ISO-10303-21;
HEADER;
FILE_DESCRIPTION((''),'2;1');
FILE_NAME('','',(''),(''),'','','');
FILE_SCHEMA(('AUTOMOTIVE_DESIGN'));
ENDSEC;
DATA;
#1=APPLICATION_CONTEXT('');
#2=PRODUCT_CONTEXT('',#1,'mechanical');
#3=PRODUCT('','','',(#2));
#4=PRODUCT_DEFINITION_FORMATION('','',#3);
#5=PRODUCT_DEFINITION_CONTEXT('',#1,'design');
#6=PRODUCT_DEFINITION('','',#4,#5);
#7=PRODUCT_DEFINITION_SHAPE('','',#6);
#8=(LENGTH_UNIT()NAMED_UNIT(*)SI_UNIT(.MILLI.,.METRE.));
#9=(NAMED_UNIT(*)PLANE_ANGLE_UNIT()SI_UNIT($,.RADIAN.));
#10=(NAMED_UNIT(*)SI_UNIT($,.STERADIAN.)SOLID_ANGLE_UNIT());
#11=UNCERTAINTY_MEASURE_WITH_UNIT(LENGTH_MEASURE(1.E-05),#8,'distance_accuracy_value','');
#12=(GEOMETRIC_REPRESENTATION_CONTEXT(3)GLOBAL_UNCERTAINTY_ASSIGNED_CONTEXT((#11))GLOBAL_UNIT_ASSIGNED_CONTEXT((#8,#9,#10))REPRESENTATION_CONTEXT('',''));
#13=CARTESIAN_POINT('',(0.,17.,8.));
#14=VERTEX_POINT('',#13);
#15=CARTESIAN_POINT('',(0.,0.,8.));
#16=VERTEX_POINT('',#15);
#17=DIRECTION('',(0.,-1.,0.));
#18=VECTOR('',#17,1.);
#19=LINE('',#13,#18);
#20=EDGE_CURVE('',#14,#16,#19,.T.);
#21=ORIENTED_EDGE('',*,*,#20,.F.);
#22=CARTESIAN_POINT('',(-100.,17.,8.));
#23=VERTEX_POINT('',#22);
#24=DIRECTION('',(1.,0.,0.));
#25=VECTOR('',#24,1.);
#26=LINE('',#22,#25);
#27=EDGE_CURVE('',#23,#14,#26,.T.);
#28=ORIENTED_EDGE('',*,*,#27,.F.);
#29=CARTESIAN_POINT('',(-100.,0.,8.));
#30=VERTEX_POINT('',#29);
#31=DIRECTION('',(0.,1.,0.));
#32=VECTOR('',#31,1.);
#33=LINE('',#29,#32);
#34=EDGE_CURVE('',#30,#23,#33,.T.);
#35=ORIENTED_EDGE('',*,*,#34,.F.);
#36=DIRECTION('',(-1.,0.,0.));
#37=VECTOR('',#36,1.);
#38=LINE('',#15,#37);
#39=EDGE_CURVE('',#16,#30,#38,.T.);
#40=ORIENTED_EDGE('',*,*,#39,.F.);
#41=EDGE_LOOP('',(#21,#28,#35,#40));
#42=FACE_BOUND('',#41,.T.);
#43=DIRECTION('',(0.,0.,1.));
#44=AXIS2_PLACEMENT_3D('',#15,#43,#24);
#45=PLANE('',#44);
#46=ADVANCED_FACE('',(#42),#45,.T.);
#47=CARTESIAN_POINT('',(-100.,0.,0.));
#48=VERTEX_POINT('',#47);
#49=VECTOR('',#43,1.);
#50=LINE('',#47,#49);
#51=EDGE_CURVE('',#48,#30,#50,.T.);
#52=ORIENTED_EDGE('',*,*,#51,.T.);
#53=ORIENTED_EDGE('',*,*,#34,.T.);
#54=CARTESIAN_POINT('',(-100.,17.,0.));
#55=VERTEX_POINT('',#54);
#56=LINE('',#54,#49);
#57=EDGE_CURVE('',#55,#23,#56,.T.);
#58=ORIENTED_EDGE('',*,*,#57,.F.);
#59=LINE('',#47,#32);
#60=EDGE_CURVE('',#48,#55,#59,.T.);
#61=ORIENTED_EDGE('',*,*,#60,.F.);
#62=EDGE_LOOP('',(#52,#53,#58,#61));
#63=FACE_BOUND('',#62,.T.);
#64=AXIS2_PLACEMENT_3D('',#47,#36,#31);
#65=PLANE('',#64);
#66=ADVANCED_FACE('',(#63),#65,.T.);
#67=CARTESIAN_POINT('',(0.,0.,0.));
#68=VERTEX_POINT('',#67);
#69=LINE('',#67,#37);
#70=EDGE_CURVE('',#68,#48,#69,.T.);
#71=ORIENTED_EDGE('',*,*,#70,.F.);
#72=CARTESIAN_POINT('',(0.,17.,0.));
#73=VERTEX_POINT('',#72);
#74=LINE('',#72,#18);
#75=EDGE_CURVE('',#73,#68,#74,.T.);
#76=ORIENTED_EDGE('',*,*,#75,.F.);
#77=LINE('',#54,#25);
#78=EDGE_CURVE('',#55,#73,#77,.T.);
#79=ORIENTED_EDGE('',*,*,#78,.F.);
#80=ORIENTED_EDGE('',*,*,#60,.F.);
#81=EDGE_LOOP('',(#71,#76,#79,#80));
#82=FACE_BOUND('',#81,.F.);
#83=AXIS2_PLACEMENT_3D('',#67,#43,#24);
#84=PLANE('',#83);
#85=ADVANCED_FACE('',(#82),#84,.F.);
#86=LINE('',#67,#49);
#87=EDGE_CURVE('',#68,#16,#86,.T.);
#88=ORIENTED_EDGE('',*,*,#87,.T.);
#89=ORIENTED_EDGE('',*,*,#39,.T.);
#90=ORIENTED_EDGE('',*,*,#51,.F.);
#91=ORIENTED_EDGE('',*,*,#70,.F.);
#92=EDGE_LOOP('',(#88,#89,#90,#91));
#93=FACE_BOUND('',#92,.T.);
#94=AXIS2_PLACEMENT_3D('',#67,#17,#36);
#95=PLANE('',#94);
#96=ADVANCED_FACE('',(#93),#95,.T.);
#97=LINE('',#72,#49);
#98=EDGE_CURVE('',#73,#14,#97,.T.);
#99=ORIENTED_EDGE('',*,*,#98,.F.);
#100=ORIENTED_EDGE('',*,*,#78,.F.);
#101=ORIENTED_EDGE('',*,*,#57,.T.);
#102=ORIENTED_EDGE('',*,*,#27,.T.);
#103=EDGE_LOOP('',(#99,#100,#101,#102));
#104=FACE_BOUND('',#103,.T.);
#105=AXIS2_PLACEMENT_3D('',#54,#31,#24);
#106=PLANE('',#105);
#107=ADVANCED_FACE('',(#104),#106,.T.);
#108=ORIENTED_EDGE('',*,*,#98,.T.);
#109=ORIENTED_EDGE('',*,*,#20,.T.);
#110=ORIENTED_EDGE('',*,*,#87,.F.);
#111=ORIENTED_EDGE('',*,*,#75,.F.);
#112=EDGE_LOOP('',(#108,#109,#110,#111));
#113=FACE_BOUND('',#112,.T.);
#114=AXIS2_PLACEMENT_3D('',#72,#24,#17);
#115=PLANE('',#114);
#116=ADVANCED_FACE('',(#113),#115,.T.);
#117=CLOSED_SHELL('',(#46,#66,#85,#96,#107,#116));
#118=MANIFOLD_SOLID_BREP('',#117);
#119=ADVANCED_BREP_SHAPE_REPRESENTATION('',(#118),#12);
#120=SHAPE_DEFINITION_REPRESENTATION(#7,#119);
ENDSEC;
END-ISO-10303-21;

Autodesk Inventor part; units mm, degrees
ref_plane "YZ Plane" through (0, 0, 0) normal (1, 0, 0) x (0, 1, 0)
ref_plane "XZ Plane" through (0, 0, 0) normal (0, 1, 0) x (-1, 0, 0)
ref_plane "XY Plane" through (0, 0, 0) normal (0, 0, 1) x (1, 0, 0)
sketch "Sketch1" plane through (0, 0, 0) normal (0, 0, 1) x (1, 0, 0)
  line L0 (0, 0) -> (-100, 0)
  line L1 (-100, 0) -> (-100, 17)
  line L2 (-100, 17) -> (0, 17)
  line L3 (0, 17) -> (0, 0)
  dimension "d0" = 17
  dimension "d1" = 100
extrude "Extrusion1" add sketch "Sketch1" along normal blind 8
properties part number "harness_cover" material "ABS Plastic"
